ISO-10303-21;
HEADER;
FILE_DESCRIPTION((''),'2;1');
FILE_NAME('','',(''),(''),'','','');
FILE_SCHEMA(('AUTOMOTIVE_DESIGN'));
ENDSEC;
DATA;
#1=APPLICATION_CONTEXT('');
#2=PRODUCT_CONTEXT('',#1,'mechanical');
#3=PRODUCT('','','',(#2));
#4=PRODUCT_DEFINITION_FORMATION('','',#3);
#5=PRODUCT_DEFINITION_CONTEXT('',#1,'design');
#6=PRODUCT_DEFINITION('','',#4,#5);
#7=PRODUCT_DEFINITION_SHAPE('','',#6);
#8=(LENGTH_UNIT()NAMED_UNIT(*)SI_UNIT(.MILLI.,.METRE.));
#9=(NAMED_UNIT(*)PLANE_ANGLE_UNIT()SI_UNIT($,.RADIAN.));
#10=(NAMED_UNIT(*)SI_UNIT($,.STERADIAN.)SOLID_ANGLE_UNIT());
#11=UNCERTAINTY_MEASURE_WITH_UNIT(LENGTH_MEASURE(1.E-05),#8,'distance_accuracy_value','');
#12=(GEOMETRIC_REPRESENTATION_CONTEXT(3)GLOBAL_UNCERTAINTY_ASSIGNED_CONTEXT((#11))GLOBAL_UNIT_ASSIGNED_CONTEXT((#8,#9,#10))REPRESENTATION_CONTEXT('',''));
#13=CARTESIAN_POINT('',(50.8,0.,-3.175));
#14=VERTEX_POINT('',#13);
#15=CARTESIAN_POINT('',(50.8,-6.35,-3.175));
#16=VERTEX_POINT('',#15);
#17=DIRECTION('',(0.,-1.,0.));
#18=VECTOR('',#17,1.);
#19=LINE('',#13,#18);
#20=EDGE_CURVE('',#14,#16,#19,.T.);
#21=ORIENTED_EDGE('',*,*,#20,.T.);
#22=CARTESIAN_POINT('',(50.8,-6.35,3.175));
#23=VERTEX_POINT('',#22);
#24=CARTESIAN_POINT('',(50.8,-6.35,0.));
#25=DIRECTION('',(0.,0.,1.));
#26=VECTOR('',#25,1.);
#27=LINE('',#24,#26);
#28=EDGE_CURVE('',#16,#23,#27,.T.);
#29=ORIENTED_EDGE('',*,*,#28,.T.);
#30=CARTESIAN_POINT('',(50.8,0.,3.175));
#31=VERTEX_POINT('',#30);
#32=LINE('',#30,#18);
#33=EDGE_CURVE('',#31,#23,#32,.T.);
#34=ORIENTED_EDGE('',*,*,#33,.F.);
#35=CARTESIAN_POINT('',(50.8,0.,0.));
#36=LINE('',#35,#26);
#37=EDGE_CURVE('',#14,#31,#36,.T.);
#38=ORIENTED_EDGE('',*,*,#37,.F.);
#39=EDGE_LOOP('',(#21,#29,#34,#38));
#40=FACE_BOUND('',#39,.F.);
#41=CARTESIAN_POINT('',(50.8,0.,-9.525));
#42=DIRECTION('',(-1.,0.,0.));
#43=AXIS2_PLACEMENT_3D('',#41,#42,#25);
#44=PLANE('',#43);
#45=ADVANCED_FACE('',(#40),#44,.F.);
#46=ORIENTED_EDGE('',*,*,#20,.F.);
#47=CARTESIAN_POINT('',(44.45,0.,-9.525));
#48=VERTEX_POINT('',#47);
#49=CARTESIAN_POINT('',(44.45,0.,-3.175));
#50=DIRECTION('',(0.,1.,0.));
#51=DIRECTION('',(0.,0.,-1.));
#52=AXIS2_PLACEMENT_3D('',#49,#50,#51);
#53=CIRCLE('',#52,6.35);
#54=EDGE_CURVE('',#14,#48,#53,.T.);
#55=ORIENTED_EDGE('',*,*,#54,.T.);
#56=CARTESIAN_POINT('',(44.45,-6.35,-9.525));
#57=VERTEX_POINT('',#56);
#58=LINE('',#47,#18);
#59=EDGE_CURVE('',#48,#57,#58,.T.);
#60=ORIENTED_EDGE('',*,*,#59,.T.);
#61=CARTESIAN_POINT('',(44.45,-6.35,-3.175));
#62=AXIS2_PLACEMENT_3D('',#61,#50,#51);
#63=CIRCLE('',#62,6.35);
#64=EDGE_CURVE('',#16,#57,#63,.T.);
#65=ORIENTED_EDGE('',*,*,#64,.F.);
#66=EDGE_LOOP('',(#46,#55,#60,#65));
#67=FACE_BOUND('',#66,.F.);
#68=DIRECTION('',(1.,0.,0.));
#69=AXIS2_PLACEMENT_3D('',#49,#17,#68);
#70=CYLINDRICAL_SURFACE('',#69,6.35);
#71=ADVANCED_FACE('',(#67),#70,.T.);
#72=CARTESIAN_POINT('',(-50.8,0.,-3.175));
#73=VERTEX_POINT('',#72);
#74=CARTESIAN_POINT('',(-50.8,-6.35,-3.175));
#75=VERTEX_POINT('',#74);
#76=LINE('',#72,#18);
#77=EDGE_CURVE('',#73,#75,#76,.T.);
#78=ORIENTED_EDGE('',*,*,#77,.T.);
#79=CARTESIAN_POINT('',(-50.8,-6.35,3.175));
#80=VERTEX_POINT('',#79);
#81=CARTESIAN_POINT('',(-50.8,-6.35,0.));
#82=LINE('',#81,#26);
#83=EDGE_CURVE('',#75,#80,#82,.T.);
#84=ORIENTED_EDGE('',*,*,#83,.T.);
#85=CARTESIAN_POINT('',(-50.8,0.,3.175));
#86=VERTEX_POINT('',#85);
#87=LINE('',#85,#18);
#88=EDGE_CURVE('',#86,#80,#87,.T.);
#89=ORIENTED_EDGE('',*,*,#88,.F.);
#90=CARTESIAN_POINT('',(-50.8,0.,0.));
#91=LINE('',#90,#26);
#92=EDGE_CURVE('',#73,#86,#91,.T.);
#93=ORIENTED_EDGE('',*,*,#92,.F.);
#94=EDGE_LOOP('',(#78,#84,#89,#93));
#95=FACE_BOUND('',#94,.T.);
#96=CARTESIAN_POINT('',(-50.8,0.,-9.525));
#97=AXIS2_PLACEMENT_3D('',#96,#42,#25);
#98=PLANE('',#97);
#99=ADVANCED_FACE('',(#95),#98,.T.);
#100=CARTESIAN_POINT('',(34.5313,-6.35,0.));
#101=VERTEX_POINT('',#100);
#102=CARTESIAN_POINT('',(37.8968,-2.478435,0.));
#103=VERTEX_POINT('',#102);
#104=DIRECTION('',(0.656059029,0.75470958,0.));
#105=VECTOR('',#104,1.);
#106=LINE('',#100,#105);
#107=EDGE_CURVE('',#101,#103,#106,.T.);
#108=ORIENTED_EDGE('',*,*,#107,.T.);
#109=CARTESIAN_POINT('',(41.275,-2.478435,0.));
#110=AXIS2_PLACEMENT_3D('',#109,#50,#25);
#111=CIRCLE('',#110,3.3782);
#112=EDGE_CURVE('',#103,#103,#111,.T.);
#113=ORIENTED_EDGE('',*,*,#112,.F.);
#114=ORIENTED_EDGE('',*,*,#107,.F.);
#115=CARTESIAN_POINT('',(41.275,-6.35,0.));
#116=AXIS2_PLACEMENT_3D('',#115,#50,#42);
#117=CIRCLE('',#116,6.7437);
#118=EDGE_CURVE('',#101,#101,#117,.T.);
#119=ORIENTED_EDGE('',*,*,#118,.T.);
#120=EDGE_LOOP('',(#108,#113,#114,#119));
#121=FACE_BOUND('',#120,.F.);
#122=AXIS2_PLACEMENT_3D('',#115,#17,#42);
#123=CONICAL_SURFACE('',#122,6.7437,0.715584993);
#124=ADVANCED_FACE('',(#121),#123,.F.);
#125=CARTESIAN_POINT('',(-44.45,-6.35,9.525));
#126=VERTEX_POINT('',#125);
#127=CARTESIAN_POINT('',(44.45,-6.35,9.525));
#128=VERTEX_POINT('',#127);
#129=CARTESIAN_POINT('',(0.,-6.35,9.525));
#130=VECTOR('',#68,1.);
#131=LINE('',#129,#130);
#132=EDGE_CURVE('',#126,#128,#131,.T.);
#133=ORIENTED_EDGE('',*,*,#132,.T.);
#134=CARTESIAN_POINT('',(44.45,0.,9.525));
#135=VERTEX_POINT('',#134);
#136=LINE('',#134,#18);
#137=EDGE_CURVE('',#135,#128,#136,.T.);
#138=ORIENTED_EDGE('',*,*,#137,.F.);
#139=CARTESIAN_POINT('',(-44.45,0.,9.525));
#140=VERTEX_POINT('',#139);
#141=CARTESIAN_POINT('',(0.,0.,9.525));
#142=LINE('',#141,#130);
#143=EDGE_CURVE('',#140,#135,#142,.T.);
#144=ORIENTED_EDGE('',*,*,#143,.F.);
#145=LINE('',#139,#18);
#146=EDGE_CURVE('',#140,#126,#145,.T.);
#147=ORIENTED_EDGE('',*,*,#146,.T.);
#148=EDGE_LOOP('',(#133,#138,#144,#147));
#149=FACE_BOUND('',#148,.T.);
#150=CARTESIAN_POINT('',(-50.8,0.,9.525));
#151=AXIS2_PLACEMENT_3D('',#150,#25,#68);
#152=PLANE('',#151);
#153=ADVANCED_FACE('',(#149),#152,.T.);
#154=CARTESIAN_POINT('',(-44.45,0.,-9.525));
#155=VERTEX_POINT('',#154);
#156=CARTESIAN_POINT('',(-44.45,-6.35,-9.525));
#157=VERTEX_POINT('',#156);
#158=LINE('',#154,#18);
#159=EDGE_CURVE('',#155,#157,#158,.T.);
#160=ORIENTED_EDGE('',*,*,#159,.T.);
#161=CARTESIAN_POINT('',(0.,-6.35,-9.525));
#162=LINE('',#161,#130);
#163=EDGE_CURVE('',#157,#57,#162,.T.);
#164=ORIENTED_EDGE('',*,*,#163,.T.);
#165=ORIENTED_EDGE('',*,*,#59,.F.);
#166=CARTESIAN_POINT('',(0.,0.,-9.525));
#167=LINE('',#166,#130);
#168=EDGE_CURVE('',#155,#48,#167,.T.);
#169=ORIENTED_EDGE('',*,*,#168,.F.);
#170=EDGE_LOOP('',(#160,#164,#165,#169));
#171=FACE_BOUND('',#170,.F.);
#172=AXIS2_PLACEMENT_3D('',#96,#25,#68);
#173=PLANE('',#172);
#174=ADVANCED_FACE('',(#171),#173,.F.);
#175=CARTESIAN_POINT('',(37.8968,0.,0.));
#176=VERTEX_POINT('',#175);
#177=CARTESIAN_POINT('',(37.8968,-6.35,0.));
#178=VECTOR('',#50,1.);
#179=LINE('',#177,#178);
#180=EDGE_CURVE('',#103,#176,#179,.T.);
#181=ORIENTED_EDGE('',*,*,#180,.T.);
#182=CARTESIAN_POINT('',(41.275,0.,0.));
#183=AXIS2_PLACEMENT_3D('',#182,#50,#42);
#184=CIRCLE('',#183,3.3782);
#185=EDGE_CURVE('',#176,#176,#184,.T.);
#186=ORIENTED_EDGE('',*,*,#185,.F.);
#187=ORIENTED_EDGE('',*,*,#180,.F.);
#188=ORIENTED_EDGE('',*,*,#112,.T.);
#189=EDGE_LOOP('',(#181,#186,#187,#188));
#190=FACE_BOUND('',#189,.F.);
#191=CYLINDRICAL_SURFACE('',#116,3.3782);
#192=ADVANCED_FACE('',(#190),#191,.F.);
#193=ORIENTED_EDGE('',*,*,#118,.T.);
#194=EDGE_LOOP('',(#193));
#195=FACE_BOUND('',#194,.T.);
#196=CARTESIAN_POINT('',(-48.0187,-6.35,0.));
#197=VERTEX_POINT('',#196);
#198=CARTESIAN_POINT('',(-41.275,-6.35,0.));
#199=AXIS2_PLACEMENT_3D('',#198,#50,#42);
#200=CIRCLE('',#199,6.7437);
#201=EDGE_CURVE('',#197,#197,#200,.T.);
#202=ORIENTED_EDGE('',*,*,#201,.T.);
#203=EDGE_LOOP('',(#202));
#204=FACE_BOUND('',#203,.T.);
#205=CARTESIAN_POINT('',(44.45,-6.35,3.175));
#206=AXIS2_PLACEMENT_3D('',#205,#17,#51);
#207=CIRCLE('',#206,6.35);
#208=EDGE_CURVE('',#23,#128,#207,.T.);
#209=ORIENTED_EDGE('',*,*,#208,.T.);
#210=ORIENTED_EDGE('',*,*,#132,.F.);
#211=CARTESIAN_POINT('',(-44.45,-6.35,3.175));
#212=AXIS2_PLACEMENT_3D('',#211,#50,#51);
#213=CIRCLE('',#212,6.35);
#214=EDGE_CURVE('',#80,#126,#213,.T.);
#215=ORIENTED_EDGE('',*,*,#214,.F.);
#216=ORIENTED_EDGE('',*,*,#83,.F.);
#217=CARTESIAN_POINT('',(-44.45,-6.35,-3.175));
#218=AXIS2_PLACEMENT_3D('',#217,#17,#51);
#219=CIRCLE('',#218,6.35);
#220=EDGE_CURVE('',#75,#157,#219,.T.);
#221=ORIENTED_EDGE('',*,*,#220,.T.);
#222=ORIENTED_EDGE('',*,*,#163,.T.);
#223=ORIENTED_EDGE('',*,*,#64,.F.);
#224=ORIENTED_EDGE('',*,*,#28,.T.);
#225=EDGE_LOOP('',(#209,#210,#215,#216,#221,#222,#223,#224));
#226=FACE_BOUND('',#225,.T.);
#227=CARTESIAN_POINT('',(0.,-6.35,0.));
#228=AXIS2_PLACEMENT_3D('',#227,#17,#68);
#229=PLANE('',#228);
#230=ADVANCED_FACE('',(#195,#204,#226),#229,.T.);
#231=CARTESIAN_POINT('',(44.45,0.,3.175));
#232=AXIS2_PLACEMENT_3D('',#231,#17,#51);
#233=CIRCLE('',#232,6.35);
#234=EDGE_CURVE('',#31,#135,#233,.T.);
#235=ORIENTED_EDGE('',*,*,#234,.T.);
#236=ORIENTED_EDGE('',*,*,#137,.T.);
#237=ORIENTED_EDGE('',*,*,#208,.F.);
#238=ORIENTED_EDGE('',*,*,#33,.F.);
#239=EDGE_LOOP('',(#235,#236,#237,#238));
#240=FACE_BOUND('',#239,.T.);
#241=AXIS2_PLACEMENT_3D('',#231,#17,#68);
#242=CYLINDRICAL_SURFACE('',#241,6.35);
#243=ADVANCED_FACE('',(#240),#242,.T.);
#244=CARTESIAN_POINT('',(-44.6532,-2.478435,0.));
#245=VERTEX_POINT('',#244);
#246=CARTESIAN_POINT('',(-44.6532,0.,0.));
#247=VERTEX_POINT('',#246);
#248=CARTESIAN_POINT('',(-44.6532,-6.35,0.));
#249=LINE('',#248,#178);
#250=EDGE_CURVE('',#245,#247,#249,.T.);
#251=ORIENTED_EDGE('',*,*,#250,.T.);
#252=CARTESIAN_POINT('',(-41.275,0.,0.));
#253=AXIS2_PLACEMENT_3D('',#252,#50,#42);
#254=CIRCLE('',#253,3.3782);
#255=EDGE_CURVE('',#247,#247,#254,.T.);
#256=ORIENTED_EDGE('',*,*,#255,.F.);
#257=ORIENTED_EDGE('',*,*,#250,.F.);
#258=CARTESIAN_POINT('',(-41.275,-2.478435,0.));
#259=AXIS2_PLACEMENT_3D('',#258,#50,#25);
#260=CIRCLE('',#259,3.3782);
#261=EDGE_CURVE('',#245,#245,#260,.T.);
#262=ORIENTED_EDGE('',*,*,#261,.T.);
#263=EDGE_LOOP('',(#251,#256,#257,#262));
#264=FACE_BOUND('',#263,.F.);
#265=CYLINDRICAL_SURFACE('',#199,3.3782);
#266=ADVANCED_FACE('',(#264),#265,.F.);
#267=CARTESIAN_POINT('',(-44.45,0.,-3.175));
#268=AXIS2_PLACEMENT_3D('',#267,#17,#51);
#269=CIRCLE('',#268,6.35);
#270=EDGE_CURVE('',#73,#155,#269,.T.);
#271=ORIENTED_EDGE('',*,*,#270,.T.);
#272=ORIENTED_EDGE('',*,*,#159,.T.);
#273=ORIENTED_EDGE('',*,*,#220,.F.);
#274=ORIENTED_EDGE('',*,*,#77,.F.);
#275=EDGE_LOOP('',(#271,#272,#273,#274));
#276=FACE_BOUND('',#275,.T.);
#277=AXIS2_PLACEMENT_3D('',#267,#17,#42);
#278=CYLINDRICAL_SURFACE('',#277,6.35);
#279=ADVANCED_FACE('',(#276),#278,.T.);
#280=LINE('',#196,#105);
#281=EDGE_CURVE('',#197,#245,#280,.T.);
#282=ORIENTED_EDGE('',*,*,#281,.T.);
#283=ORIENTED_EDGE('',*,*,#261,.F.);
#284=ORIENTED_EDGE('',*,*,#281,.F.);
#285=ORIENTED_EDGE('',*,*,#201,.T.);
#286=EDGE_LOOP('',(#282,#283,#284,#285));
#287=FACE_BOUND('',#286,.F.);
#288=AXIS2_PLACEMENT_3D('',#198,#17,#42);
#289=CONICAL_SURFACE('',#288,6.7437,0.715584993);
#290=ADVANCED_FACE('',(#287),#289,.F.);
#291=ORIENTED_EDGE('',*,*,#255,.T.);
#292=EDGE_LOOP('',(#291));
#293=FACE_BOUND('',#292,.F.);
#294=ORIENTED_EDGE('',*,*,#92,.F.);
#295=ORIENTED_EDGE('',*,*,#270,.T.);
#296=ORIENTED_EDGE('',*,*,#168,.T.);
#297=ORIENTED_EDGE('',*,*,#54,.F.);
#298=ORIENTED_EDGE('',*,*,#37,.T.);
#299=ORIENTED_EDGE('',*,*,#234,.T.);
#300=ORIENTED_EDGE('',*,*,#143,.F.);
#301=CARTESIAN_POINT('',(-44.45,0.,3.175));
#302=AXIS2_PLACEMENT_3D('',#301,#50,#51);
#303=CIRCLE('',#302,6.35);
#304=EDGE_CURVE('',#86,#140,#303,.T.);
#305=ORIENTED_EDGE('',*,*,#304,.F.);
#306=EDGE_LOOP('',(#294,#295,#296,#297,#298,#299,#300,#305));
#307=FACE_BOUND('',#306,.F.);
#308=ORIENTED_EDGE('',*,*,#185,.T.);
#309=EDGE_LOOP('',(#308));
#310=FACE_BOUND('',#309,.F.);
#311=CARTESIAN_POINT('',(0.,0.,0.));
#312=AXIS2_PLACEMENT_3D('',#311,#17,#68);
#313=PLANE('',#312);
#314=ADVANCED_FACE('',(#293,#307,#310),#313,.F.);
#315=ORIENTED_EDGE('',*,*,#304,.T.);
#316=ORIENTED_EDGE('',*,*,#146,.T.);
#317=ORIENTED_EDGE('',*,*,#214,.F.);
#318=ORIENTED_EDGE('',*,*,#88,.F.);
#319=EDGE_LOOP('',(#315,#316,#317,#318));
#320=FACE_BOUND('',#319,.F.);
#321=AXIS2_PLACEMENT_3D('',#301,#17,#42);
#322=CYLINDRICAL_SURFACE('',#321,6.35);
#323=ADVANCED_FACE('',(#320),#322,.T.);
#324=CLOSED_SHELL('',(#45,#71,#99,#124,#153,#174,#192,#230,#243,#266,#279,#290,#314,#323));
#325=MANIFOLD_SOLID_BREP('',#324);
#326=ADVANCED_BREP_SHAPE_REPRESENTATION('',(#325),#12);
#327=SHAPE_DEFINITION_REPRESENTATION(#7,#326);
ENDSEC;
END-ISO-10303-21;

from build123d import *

# Parameters (mm, degrees)
F0_W           = 101.6
F0_H           = 19.05
F1_DEPTH       = 6.35
F3_D           = 6.7564
F3_CSINK_D     = 13.4874
F3_CSINK_ANGLE = 82
F4_R           = 6.35


with BuildPart() as f1:
    # F0 (on Front) → F1 (new body)
    with BuildSketch(Plane.XZ):
        Rectangle(F0_W, F0_H)
    extrude(amount=F1_DEPTH)

    # F3 (through all)
    with Locations(Plane.XZ.offset(6.35)):
        with Locations((-41.275, 0), (41.275, 0)):
            CounterSinkHole(F3_D / 2, F3_CSINK_D / 2, counter_sink_angle=F3_CSINK_ANGLE)

    # F4
    f4_edges = [f1.edges().sort_by_distance(p)[0] for p in [
        (-50.8, -3.175, 9.525),
        (-50.8, -3.175, -9.525),
        (50.8, -3.175, -9.525),
        (50.8, -3.175, 9.525),
    ]]
    fillet(f4_edges, radius=F4_R)


solid = f1.part
